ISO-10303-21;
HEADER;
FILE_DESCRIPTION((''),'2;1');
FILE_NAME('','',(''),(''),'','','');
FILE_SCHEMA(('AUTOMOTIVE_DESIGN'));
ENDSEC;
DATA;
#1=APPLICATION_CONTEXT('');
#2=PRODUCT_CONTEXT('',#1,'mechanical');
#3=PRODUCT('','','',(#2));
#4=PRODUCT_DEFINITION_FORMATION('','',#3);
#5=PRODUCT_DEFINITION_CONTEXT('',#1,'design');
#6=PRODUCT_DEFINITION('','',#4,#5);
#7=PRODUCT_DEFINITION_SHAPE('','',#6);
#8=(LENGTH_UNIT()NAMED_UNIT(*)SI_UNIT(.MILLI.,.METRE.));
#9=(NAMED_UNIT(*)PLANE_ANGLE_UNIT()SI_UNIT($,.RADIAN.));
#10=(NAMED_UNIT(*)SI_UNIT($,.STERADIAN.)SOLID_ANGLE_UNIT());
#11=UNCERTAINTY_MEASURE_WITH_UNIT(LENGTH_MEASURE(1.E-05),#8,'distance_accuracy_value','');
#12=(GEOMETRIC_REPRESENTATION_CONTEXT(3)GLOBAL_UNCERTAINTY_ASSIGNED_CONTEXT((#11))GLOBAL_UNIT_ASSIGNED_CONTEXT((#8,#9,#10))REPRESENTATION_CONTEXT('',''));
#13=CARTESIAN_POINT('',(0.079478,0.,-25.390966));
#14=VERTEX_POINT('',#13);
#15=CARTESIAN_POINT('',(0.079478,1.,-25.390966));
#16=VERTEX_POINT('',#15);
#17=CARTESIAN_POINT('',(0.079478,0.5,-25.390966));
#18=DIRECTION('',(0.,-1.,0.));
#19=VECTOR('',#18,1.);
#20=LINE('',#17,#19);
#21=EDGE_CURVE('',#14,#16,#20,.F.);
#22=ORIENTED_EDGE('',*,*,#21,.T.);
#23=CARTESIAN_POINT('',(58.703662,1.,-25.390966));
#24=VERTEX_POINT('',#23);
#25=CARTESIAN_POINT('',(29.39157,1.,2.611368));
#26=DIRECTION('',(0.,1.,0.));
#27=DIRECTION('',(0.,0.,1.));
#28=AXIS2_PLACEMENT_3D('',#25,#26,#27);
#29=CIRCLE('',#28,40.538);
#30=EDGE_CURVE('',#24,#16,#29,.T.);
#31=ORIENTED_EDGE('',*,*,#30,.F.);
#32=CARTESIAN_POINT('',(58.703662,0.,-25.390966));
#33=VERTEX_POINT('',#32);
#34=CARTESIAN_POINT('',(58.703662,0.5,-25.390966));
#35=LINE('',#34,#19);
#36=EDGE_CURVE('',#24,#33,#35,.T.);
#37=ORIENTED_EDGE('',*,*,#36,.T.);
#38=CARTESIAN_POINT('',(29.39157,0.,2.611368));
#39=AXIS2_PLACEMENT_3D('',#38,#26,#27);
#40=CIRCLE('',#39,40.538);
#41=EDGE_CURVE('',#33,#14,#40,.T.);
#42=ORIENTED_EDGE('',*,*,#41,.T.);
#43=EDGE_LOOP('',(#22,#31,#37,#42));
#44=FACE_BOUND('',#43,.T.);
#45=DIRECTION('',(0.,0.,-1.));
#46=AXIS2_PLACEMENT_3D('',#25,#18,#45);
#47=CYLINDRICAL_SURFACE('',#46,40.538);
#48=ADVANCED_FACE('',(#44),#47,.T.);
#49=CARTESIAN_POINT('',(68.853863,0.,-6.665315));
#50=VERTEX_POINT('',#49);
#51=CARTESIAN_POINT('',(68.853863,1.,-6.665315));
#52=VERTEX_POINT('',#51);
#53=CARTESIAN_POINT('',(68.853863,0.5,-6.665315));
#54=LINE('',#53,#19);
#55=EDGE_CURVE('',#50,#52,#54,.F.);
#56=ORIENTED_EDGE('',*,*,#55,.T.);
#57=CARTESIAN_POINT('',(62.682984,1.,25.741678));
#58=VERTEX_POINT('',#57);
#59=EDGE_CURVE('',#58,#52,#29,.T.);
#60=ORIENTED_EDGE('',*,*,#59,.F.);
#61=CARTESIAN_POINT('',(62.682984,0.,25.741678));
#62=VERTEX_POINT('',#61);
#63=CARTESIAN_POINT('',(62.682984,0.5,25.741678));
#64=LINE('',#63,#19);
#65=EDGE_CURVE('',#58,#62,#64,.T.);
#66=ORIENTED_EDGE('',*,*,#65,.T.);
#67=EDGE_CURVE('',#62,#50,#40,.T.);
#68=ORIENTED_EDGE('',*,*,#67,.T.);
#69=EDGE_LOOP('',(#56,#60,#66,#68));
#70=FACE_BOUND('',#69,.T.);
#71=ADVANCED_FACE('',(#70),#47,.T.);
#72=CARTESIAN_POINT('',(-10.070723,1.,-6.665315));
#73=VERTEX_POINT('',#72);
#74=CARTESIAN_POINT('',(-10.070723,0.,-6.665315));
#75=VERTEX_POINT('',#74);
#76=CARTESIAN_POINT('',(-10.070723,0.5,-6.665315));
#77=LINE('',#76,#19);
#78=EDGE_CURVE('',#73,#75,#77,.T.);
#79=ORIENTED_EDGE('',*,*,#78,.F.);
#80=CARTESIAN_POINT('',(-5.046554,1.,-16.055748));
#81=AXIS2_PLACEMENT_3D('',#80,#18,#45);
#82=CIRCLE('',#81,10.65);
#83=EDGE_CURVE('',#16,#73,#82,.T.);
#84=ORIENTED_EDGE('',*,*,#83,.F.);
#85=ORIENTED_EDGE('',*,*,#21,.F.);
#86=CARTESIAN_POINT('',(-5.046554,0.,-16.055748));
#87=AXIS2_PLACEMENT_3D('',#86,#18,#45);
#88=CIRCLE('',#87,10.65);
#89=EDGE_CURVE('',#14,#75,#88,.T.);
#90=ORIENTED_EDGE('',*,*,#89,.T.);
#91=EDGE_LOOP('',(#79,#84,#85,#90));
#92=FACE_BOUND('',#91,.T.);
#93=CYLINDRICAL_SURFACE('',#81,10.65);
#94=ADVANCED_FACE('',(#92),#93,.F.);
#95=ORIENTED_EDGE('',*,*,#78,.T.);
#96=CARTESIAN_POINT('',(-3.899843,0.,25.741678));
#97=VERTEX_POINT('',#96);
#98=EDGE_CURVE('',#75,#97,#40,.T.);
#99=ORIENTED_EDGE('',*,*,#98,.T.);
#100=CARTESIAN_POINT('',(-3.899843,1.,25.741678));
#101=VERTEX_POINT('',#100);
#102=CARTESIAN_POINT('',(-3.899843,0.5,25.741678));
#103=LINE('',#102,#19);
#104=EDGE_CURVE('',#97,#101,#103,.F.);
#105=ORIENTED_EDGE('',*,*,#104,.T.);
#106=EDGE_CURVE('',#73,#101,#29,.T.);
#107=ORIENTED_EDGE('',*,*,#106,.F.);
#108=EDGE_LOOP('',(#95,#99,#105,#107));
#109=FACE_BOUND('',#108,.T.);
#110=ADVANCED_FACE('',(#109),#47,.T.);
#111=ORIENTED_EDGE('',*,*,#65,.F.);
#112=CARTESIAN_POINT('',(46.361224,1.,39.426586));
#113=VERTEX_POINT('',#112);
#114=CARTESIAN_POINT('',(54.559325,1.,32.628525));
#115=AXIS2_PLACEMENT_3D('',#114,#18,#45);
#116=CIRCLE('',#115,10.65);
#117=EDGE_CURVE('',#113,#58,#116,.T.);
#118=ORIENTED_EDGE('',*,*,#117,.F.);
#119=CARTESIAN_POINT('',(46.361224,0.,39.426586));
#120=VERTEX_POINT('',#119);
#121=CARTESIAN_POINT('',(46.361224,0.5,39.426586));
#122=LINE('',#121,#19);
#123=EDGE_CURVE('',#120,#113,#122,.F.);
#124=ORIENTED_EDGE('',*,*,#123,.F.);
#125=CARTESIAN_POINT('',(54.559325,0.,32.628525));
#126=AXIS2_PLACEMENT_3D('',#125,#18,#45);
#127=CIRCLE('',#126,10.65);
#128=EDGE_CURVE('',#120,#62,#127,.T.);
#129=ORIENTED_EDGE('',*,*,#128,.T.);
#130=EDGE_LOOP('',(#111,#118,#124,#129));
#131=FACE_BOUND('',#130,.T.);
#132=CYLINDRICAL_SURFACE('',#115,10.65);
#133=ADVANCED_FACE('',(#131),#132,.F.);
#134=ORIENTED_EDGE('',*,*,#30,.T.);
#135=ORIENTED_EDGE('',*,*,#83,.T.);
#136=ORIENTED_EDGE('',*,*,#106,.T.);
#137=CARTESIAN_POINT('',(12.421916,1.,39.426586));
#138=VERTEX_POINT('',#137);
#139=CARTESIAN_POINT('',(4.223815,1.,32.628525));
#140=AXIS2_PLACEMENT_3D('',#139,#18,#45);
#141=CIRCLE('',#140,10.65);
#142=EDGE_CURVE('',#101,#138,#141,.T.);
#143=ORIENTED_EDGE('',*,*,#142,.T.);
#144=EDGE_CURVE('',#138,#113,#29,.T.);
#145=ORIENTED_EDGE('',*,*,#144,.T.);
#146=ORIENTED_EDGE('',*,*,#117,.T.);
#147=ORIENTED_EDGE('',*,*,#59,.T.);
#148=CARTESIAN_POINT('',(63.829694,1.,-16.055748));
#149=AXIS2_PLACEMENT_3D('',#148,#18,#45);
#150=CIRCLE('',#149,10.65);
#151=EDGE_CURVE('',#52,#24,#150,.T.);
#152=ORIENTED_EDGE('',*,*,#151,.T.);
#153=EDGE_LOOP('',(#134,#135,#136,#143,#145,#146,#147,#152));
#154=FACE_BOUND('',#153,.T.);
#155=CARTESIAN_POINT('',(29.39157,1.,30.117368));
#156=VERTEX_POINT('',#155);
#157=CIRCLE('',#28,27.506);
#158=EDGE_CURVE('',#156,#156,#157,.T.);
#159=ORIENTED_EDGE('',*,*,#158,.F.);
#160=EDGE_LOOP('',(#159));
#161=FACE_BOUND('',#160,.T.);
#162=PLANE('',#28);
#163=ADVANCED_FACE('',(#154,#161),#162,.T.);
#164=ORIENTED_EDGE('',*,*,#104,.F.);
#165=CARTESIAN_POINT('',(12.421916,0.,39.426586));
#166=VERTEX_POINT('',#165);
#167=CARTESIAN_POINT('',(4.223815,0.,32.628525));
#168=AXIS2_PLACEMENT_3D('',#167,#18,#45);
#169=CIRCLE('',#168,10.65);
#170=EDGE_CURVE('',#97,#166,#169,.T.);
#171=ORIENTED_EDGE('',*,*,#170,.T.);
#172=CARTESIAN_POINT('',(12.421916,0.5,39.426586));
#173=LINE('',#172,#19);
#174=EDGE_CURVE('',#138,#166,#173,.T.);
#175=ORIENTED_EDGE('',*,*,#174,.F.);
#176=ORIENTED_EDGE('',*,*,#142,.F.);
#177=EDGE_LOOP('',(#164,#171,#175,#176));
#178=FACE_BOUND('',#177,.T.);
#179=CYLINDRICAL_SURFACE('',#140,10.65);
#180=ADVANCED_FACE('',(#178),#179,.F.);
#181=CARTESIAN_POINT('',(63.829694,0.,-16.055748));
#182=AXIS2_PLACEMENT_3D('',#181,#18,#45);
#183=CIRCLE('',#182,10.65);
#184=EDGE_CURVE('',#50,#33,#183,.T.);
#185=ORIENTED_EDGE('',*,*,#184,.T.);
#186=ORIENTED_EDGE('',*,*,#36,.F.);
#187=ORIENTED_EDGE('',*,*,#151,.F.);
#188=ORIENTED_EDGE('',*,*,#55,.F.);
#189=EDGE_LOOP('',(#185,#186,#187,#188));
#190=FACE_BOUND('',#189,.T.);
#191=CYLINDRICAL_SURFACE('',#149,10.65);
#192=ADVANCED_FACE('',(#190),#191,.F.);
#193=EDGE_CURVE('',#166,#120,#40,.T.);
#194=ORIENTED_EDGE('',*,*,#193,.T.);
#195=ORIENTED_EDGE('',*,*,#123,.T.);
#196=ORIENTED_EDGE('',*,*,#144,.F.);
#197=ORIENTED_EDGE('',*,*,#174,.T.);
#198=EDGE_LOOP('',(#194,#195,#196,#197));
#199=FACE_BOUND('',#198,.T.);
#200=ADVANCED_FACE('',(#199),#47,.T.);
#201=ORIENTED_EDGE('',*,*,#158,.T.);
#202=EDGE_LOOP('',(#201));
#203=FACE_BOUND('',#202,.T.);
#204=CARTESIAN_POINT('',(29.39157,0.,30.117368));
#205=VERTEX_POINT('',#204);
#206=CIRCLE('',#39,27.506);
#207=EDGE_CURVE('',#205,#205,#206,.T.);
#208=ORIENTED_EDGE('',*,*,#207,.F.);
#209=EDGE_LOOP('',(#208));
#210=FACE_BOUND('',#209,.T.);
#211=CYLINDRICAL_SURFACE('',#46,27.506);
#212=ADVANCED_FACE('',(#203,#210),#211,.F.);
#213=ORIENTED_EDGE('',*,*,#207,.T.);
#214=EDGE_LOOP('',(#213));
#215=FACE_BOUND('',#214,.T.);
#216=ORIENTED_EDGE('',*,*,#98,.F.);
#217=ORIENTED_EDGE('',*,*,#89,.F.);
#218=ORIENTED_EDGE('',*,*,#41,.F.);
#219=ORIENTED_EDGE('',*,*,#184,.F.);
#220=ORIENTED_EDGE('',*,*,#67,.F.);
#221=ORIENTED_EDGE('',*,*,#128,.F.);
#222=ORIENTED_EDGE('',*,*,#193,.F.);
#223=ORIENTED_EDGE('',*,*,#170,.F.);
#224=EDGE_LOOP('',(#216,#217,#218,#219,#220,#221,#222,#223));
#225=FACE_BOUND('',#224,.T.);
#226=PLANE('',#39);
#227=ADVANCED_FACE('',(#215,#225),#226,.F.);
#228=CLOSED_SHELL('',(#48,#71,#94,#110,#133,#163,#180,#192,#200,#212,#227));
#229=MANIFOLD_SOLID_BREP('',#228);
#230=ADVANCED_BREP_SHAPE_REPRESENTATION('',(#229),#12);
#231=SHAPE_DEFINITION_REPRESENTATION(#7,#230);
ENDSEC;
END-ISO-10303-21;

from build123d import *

# Parameters (mm, degrees)
SKETCH1_R           = 40.538
SKETCH1_R_2         = 27.506
BOSS_EXTRUDE1_DEPTH = 1
SKETCH4_R           = 10.65
CUT_EXTRUDE1_DEPTH  = 1


with BuildPart() as part:
    # Sketch1 → Boss-Extrude1 (new body)
    with BuildSketch(Plane(origin=(0, 0, 0), x_dir=(-1, 0, 0), z_dir=(0, 1, 0))):
        with Locations(Location((-29.391570254, 2.611368154, 0), (0, 0, 90))):
            Circle(SKETCH1_R)
        with Locations(Location((-29.391570254, 2.611368154, 0), (0, 0, 90))):
            Circle(SKETCH1_R_2, mode=Mode.SUBTRACT)
    extrude(amount=BOSS_EXTRUDE1_DEPTH)

    # Sketch4 → Cut-Extrude1 (cut)
    with BuildSketch(Plane.XZ):
        with Locations((4.223815401, 32.628524909)):
            Circle(SKETCH4_R)
        with Locations((54.559325107, 32.628524909)):
            Circle(SKETCH4_R)
        with Locations((63.829694025, -16.055747722)):
            Circle(SKETCH4_R)
        with Locations((-5.046553517, -16.055747722)):
            Circle(SKETCH4_R)
    extrude(amount=-CUT_EXTRUDE1_DEPTH, mode=Mode.SUBTRACT)


solid = part.part
